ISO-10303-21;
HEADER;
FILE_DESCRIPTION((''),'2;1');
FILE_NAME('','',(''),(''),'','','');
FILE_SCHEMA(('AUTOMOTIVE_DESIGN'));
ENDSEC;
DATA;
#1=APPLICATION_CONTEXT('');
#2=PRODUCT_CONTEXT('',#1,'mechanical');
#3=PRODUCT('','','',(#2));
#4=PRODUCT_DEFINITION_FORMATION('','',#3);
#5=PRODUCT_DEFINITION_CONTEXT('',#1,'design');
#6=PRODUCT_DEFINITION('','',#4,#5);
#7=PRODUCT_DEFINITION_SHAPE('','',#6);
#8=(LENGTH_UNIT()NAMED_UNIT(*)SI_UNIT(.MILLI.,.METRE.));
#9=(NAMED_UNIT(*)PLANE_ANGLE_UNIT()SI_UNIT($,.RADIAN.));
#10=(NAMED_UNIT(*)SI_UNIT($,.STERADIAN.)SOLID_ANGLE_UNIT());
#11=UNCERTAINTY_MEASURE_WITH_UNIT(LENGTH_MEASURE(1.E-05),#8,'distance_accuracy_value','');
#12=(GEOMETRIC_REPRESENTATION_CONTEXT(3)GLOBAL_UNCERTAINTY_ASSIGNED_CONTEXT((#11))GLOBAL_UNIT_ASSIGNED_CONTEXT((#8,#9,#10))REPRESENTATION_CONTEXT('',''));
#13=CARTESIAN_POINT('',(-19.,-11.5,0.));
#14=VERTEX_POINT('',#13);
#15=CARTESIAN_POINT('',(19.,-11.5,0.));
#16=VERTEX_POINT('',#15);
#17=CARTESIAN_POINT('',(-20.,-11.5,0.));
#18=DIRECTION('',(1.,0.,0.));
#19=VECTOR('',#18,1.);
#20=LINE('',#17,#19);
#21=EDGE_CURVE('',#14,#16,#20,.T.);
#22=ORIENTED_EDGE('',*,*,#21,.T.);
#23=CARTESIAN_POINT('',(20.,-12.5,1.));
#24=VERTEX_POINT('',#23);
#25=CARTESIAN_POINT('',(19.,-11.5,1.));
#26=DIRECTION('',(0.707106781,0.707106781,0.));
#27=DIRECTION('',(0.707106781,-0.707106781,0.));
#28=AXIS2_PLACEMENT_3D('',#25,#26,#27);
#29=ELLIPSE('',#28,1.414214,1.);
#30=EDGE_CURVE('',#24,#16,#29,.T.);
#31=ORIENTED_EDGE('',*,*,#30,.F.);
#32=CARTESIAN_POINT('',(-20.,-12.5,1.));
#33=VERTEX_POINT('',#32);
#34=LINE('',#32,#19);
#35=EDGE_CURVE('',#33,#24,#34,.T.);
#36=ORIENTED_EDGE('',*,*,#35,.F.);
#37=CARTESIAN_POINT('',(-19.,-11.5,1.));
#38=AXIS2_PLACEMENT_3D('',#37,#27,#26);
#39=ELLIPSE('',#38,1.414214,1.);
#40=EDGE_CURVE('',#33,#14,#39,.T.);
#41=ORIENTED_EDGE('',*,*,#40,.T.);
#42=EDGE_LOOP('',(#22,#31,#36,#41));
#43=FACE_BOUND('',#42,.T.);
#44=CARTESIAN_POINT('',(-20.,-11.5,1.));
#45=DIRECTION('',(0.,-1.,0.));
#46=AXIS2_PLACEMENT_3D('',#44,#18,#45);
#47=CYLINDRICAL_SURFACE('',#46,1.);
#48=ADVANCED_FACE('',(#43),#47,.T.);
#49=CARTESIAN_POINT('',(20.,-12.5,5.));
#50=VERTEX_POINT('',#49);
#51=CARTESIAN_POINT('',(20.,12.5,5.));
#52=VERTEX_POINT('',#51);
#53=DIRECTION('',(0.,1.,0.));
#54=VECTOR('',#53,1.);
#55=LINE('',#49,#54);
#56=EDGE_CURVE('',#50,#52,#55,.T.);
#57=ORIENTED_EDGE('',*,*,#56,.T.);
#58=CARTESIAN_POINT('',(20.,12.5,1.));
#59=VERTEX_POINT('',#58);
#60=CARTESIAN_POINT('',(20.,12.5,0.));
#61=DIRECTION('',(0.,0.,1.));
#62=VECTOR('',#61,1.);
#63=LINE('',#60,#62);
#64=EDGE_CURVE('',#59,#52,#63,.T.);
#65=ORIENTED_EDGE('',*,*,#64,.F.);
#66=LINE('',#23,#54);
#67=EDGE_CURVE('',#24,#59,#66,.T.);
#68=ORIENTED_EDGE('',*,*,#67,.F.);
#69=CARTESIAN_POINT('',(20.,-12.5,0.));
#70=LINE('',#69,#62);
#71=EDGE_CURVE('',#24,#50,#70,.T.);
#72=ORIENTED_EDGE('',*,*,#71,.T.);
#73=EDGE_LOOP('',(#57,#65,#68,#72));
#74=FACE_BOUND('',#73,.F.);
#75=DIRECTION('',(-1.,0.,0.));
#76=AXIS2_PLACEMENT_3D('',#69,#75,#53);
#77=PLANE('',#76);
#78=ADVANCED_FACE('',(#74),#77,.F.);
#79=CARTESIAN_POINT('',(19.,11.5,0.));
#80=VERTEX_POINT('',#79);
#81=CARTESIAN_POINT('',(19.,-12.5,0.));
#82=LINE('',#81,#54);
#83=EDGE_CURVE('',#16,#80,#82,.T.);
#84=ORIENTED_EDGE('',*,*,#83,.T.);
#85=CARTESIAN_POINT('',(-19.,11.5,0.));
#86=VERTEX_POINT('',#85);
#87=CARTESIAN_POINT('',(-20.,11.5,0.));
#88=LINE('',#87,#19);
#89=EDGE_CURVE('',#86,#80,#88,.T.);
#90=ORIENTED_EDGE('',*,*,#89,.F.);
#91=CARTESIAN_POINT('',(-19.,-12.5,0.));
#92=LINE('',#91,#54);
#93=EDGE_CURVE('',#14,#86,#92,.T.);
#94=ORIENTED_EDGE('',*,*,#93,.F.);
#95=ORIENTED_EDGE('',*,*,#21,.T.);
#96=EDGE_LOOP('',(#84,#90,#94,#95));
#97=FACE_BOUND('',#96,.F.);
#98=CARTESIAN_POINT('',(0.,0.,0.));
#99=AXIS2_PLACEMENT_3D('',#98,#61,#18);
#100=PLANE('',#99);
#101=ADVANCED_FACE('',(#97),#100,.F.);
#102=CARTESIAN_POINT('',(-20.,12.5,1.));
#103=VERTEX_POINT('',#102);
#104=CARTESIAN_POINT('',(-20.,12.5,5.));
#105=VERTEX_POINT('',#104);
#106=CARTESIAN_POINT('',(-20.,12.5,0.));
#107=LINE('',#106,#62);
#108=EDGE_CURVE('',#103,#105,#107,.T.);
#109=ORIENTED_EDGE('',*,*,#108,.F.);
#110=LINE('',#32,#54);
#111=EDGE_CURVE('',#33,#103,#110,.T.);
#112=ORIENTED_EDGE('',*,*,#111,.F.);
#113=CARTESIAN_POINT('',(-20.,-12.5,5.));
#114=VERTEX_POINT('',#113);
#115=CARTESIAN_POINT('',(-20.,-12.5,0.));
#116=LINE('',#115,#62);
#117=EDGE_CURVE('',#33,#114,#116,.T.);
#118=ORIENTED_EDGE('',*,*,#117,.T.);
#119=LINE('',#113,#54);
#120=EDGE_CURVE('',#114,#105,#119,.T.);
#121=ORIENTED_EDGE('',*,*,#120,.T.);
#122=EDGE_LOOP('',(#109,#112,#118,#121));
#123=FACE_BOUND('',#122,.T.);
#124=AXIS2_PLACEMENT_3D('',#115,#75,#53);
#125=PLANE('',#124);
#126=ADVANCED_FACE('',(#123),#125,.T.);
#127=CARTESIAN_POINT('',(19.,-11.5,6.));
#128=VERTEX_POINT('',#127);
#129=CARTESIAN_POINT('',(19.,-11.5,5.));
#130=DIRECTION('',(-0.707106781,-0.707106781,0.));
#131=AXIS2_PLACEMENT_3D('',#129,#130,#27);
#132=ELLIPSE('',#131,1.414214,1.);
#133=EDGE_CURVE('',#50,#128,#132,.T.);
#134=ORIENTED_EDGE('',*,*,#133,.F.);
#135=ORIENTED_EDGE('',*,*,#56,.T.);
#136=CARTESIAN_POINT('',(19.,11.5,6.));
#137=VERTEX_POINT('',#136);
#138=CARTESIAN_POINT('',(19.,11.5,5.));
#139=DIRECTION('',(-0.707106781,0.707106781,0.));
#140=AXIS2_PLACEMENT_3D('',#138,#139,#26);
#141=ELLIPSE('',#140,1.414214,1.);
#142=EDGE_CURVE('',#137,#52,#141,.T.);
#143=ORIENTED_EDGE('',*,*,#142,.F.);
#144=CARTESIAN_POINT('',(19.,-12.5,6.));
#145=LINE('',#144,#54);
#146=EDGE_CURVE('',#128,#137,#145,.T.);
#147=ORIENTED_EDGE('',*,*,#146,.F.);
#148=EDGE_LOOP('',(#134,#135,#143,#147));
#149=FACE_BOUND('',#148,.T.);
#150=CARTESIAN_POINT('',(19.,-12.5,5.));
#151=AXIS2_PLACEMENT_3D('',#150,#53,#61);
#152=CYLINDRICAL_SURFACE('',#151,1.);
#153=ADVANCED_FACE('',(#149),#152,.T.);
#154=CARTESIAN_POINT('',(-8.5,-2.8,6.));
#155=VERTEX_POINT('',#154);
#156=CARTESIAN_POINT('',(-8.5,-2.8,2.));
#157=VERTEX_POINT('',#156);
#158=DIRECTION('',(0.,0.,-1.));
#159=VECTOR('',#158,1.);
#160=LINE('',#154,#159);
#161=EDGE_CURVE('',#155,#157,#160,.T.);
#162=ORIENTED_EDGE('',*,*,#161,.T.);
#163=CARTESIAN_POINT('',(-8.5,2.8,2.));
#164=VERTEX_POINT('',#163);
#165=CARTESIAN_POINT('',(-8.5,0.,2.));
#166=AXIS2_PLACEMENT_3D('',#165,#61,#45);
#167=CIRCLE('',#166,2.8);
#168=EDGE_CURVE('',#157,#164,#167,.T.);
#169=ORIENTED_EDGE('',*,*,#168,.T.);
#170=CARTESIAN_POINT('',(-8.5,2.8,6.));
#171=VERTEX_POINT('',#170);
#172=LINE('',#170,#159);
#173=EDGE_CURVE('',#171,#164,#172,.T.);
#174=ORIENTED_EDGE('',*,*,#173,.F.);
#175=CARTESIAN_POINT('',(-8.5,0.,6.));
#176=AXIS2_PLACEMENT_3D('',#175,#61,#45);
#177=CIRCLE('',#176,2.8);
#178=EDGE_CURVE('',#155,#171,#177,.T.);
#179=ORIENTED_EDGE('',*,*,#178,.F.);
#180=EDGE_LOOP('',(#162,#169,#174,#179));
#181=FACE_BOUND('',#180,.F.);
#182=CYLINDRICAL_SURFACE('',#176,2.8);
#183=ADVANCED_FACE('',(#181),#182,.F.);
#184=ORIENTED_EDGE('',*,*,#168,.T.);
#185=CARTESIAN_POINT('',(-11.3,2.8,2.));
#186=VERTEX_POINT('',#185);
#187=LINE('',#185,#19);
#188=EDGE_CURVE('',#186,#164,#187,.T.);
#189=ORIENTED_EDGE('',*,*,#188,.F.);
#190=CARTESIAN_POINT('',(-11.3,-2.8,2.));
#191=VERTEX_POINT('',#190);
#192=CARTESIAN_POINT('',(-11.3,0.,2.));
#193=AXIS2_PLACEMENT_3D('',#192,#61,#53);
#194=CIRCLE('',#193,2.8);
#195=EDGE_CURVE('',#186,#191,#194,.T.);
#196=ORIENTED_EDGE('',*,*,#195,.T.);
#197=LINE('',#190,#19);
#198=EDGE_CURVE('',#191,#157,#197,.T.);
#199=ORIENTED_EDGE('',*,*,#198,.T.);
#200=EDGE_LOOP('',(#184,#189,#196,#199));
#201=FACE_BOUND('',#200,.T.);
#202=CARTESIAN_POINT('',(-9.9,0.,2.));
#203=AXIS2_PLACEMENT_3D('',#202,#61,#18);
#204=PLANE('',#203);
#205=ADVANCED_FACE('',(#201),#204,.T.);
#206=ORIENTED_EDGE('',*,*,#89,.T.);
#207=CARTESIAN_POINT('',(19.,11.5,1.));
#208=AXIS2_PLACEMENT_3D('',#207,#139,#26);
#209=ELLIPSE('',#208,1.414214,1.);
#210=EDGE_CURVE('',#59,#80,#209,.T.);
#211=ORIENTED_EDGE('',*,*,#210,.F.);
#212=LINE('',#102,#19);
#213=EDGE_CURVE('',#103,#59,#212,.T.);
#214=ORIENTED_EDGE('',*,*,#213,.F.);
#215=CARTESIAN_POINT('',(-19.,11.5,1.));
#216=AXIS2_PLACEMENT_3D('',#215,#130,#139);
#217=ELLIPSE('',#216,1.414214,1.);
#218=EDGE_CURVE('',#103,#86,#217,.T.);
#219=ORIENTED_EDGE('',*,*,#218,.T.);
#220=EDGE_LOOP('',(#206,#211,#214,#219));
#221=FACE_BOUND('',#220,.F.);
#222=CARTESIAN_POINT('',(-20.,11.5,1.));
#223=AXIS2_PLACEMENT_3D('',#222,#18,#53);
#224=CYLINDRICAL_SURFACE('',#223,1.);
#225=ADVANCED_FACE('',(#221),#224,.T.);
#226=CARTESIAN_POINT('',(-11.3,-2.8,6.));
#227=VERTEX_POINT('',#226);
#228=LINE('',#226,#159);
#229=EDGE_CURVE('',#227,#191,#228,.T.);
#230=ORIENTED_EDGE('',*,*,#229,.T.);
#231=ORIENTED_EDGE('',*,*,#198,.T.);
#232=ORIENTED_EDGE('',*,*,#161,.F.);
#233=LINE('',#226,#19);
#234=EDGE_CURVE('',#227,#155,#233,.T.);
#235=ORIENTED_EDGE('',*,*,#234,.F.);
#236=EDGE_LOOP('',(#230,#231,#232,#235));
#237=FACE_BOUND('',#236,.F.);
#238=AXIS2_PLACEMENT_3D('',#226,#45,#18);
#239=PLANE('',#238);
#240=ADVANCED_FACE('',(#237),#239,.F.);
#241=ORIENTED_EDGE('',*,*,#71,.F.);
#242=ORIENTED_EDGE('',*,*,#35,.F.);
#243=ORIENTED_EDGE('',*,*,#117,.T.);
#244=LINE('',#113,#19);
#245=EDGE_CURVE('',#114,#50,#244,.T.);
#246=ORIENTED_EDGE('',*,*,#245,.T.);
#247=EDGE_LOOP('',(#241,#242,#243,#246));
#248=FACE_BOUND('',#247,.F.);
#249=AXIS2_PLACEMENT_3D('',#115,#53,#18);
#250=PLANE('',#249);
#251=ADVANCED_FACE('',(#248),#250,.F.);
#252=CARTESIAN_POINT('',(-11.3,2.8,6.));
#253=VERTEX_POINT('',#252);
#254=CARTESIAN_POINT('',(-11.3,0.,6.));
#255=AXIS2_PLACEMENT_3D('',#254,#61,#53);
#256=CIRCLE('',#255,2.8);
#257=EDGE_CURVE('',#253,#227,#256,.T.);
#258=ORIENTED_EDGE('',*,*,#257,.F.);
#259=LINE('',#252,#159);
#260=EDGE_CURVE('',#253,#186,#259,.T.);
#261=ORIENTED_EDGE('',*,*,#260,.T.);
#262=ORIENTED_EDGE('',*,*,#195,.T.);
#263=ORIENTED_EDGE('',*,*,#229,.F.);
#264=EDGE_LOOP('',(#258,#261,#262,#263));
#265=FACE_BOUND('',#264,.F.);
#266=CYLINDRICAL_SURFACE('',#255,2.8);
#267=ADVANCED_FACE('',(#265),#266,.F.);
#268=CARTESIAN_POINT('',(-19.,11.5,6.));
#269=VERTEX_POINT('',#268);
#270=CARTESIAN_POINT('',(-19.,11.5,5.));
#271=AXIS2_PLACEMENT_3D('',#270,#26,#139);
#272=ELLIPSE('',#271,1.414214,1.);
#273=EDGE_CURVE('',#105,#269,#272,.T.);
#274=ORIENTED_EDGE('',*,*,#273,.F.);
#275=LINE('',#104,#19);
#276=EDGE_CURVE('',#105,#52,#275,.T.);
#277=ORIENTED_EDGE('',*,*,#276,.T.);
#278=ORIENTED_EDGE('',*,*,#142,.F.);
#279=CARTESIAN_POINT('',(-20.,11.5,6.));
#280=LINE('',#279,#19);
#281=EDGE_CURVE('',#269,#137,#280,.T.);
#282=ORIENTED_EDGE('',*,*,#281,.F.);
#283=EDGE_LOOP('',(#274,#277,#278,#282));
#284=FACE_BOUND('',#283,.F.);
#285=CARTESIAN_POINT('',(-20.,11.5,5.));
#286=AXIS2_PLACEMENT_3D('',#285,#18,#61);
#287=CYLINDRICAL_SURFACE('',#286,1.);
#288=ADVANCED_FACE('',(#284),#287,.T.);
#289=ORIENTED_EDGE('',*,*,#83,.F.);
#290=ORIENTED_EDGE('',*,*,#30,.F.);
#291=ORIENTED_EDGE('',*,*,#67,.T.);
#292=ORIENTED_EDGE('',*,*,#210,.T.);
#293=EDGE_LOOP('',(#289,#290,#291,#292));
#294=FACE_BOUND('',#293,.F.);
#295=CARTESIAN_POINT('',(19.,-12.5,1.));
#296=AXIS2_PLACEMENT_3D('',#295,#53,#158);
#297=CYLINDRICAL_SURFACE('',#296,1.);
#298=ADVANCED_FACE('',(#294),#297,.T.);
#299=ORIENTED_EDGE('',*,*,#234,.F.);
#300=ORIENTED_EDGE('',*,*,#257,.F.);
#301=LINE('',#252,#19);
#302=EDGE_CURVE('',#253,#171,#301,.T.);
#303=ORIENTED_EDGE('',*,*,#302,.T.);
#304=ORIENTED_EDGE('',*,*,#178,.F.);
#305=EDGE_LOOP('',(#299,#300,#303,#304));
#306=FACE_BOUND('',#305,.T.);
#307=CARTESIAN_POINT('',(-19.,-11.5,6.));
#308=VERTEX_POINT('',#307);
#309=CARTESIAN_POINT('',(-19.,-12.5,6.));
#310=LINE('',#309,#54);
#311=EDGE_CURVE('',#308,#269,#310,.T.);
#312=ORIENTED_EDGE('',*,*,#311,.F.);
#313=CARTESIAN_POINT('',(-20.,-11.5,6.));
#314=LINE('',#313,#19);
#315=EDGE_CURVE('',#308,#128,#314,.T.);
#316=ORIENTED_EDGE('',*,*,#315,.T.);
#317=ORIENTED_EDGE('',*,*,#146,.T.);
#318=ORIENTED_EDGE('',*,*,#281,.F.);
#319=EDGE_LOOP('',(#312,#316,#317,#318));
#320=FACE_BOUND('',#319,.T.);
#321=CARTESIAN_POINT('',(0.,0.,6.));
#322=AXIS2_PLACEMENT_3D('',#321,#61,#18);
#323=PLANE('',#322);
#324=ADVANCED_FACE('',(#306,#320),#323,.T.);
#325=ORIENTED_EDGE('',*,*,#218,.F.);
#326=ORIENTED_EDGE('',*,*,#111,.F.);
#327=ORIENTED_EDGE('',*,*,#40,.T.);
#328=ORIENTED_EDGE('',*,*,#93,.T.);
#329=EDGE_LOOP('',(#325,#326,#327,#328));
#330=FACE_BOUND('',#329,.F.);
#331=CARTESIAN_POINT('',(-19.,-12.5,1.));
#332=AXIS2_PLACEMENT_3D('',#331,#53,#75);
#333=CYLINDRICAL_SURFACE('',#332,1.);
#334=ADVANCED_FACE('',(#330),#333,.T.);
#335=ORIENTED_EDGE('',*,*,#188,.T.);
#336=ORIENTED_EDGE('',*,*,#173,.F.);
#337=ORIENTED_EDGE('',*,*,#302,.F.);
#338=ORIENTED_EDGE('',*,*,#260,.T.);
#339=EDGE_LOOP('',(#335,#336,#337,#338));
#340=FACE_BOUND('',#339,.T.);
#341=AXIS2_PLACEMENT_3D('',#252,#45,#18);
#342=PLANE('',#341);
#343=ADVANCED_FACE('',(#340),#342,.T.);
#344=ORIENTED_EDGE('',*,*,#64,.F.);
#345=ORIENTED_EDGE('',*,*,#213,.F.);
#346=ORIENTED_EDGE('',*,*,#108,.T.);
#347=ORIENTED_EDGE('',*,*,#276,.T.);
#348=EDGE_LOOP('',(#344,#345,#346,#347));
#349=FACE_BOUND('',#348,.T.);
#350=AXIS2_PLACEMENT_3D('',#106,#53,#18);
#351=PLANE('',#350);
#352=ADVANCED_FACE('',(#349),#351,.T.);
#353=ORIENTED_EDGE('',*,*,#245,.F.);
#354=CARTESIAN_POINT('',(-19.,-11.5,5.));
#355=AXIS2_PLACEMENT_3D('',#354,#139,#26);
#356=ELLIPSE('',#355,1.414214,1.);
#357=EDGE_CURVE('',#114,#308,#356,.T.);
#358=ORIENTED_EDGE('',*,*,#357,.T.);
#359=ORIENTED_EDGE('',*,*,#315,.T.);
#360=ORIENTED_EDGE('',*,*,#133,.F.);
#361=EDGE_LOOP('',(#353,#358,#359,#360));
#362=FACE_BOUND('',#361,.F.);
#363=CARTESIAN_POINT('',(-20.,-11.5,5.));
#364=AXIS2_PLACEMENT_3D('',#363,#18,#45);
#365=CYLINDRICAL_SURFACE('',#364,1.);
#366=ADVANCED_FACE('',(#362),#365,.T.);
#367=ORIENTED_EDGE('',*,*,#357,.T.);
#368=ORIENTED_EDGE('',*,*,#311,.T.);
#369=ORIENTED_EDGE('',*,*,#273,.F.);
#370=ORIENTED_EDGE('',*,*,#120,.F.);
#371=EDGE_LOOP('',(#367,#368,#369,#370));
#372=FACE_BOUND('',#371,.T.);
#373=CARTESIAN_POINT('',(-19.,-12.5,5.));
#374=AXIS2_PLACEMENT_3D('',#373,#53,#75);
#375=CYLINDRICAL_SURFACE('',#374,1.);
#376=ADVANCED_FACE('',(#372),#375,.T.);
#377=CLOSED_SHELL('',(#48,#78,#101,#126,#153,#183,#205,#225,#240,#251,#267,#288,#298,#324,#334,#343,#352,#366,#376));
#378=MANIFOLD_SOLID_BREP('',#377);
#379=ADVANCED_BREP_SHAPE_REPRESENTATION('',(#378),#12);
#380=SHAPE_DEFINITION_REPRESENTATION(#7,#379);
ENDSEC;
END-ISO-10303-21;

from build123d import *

# Parameters (mm, degrees)
SKETCH_W     = 40
SKETCH_H     = 25
PAD_DEPTH    = 6
POCKET_DEPTH = 4
FILLET_R     = 1
FILLET001_R  = 1


with BuildPart() as part:
    # Sketch → Pad (new body)
    with BuildSketch(Plane.XY):
        Rectangle(SKETCH_W, SKETCH_H)
    extrude(amount=PAD_DEPTH)

    # Sketch001 → Pocket (cut)
    with BuildSketch(Plane.XY.offset(6)):
        with BuildLine():
            ThreePointArc((-11.3, 2.8), (-14.1, 0), (-11.3, -2.8))
            Line((-11.3, -2.8), (-8.5, -2.8))
            ThreePointArc((-8.5, -2.8), (-5.7, 0), (-8.5, 2.8))
            Line((-11.3, 2.8), (-8.5, 2.8))
        make_face()
    extrude(amount=-POCKET_DEPTH, mode=Mode.SUBTRACT)

    # Fillet
    fillet_edges = [part.edges().sort_by_distance(p)[0] for p in [
        (-20, 0, 0),
        (0, 12.5, 0),
        (0, -12.5, 0),
        (20, 0, 0),
    ]]
    fillet(fillet_edges, radius=FILLET_R)

    # Fillet001
    fillet001_edges = [part.edges().sort_by_distance(p)[0] for p in [
        (0, -12.5, 6),
        (-20, 0, 6),
        (0, 12.5, 6),
        (20, 0, 6),
    ]]
    fillet(fillet001_edges, radius=FILLET001_R)


solid = part.part
